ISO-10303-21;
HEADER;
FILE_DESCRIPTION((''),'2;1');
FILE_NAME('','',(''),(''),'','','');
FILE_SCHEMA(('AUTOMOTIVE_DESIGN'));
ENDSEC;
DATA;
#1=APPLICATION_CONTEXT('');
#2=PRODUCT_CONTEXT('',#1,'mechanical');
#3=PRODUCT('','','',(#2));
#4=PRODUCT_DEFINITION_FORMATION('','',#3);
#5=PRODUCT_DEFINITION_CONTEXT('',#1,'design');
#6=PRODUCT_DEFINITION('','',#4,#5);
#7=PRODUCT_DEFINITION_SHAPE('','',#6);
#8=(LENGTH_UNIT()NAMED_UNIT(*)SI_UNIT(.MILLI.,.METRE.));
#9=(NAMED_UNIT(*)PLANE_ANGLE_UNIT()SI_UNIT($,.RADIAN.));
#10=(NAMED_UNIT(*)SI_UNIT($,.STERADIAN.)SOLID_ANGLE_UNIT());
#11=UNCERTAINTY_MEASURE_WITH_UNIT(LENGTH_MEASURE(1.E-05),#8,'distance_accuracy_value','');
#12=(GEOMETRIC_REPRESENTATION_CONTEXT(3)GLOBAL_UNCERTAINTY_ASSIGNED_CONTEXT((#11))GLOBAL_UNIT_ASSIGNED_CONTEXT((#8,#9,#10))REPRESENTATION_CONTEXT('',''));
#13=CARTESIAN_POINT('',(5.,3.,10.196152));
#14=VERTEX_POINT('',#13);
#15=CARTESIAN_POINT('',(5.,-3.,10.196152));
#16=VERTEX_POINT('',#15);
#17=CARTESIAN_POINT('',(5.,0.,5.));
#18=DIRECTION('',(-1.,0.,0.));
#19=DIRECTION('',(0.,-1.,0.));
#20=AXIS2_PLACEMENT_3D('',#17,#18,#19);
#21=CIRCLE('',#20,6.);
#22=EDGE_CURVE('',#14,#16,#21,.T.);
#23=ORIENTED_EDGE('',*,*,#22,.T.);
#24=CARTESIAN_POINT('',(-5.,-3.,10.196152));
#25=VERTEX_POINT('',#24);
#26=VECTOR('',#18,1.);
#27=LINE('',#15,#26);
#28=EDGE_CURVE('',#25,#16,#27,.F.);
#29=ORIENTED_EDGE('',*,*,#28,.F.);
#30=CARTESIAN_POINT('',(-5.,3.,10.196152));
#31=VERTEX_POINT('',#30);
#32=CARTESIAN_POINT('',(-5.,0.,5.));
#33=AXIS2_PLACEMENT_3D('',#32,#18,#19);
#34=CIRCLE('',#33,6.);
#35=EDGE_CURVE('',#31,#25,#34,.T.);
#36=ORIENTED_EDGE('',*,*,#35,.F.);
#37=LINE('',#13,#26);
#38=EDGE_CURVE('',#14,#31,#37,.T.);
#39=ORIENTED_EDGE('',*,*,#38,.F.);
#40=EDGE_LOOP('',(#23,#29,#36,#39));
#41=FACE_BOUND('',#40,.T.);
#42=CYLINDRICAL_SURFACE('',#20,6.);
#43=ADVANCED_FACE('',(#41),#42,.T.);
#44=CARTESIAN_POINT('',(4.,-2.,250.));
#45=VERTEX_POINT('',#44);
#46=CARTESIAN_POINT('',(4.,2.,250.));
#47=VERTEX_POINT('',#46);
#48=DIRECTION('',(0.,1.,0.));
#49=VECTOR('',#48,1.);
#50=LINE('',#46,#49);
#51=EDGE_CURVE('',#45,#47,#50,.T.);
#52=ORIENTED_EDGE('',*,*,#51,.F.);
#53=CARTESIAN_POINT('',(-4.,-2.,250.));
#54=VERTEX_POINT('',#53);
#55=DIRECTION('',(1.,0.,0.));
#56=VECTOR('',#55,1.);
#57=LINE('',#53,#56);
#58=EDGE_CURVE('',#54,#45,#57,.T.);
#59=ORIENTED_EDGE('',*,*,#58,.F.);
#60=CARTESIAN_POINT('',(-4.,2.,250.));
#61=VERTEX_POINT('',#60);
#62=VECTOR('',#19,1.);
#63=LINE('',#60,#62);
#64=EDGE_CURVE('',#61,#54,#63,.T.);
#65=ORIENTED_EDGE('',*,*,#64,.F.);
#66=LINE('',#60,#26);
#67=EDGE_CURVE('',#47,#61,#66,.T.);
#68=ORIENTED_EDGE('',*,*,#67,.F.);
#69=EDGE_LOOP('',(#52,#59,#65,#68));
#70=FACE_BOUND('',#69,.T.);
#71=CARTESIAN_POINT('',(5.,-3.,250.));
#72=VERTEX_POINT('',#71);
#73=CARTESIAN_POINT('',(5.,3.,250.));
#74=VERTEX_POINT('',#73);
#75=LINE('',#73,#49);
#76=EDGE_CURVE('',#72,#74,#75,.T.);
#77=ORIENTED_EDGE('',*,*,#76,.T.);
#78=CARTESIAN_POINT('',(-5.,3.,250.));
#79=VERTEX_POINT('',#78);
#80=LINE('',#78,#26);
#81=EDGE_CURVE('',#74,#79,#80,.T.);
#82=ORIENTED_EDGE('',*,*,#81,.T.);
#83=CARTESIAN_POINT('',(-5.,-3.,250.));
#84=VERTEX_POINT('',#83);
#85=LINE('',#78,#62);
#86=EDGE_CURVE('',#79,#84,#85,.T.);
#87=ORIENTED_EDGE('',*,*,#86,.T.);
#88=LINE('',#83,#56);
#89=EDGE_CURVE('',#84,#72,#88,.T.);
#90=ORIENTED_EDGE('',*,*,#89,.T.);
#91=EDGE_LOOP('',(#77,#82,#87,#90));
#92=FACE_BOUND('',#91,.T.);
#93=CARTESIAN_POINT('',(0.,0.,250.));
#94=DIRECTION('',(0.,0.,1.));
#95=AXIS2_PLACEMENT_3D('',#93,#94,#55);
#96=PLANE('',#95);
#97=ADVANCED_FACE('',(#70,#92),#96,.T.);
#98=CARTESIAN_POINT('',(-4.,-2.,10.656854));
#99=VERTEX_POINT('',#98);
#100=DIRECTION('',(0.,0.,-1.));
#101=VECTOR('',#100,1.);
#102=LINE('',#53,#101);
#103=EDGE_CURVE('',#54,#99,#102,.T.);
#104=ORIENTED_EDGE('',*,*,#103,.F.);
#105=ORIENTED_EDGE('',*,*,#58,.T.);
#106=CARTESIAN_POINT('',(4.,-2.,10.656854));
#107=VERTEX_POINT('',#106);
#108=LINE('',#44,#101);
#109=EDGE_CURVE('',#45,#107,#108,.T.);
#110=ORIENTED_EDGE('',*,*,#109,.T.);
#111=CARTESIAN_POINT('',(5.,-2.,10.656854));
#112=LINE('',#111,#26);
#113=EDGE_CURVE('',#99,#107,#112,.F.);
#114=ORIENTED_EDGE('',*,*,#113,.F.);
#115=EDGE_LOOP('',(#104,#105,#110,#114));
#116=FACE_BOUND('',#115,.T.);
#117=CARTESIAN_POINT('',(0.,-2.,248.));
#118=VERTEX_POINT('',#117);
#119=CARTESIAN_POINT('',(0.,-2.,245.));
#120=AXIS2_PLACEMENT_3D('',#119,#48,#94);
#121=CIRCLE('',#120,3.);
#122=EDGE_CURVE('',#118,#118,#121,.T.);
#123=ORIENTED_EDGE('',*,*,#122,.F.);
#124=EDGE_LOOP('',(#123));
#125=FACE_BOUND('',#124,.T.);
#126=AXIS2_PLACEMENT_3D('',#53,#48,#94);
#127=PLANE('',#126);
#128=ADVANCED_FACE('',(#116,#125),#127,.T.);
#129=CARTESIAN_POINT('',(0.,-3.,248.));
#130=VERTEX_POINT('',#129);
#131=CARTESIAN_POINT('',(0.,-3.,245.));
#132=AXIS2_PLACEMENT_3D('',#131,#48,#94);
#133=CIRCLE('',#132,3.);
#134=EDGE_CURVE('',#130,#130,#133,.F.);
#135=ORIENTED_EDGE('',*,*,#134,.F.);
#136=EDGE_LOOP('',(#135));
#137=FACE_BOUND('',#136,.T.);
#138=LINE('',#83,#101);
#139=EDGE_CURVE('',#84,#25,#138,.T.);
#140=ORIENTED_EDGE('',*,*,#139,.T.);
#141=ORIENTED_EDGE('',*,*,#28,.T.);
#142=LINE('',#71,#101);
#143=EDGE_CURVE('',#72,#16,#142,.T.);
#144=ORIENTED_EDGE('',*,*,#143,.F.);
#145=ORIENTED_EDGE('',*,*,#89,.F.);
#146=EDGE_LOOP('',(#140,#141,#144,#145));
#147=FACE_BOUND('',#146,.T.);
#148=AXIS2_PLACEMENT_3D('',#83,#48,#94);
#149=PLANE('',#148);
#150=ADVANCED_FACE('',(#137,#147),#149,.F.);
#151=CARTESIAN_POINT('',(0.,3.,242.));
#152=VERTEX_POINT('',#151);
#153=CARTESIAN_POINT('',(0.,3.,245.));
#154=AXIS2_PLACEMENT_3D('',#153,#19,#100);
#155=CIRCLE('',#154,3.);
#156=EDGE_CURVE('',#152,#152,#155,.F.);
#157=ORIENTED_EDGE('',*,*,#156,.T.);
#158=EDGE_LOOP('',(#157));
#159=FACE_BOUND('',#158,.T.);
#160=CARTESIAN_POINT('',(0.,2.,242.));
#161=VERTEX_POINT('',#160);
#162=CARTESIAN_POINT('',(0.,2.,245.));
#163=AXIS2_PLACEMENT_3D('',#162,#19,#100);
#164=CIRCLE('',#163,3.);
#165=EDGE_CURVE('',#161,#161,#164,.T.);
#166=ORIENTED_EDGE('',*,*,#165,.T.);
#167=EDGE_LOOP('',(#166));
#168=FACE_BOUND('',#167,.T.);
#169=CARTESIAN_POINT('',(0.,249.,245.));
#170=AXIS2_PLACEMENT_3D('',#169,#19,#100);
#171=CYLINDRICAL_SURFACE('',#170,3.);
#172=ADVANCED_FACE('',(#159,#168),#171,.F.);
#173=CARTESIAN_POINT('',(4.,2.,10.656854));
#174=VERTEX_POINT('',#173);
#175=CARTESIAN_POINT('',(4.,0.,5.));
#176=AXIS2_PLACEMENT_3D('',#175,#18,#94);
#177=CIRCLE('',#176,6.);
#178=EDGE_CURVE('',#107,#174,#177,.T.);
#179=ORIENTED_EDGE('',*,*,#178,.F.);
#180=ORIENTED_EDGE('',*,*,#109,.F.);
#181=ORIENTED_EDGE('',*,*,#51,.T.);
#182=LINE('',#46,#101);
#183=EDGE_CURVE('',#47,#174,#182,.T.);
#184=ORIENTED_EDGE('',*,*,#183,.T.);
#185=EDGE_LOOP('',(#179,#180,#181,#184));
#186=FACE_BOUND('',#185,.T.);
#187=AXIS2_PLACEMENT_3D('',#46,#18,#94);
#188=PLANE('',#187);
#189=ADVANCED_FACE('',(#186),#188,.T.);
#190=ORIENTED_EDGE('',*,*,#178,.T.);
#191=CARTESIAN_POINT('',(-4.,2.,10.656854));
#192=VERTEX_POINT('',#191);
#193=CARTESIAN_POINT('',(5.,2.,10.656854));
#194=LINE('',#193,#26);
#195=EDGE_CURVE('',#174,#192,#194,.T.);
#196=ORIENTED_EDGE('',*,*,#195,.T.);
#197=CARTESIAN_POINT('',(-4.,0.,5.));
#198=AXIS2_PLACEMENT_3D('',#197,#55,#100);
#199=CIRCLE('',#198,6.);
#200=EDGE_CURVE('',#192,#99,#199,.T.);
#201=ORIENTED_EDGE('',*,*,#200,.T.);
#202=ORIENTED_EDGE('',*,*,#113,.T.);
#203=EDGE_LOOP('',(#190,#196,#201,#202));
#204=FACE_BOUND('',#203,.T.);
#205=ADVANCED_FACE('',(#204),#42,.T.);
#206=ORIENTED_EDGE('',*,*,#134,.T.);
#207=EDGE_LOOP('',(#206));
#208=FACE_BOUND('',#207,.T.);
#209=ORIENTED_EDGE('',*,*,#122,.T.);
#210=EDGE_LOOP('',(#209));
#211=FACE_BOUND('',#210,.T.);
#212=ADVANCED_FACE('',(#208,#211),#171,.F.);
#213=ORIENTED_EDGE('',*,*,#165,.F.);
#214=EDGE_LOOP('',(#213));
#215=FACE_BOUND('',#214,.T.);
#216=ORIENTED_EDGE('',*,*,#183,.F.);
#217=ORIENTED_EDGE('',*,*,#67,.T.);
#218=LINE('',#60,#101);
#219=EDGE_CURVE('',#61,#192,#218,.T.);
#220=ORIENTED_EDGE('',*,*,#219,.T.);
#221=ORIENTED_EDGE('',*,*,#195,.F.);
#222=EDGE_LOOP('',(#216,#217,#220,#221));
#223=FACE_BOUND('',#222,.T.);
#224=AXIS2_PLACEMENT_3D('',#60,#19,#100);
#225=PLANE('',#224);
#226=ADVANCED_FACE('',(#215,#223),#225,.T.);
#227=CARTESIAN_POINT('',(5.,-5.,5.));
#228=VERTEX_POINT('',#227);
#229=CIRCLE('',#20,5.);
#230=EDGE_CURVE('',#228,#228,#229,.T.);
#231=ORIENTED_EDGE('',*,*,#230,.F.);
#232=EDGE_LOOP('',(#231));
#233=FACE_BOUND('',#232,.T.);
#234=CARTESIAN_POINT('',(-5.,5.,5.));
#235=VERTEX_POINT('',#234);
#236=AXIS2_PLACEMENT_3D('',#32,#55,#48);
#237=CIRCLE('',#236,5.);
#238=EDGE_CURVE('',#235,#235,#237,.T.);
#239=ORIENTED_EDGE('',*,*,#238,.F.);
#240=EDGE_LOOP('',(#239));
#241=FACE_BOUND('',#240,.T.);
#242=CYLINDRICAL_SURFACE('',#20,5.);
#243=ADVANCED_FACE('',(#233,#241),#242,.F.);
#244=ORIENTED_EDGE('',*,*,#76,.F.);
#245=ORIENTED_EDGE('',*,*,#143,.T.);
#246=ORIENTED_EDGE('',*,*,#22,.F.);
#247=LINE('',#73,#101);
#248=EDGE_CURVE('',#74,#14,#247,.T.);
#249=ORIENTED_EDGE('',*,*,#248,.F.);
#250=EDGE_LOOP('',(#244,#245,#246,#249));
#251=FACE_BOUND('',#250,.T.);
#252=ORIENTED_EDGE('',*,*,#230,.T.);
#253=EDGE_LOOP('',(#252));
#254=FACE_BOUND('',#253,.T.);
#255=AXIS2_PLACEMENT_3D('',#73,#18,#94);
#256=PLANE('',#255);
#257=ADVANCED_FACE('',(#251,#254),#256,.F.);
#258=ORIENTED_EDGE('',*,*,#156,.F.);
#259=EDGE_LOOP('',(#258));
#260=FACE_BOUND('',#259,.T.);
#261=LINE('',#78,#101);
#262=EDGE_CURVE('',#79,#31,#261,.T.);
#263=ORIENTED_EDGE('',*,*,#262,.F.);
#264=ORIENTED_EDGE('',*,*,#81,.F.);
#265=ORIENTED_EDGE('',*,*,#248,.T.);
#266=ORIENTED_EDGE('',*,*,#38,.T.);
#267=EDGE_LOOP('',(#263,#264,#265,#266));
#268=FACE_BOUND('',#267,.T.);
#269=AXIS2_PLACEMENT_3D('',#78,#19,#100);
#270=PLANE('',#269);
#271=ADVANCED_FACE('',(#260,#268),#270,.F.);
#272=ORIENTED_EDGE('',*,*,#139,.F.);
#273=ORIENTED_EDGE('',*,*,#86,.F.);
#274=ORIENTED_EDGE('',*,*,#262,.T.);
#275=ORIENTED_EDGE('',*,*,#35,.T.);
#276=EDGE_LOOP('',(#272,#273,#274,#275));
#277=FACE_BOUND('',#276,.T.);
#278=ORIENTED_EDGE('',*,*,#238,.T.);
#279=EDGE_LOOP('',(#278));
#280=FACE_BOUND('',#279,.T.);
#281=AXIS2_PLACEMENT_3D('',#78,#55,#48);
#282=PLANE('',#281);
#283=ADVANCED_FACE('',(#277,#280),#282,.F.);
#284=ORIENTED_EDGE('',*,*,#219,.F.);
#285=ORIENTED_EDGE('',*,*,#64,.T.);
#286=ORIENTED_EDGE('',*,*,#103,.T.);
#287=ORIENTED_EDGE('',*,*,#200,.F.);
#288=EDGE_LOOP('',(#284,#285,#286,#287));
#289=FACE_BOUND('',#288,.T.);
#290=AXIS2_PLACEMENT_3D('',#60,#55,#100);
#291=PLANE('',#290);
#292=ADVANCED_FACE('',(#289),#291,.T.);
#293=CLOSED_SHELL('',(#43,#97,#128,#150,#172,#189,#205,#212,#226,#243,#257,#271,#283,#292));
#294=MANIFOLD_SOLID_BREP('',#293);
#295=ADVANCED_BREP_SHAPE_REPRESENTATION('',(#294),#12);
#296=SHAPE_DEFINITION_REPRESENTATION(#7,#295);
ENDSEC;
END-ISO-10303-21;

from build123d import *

# Parameters (mm, degrees)
SKETCH1_W               = 10
SKETCH1_H               = 6
BOSS_EXTRUDE1_DEPTH     = 250
SKETCH3_R               = 3
CUT_EXTRUDE2_DEPTH      = 249
CUT_EXTRUDE2_DEPTH_BACK = 249
SKETCH2_W               = 8
SKETCH2_H               = 4
CUT_EXTRUDE4_DEPTH      = 251
CUT_EXTRUDE4_DEPTH_BACK = 1
SKETCH7_R               = 6
BOSS_EXTRUDE2_DEPTH     = 10
SKETCH9_R               = 5
CUT_EXTRUDE7_DEPTH      = 1
CUT_EXTRUDE7_DEPTH_BACK = 11


with BuildPart() as part:
    # Sketch1 → Boss-Extrude1 (new body)
    with BuildSketch(Plane.XY):
        Rectangle(SKETCH1_W, SKETCH1_H)
    extrude(amount=BOSS_EXTRUDE1_DEPTH)

    # Sketch3 → Cut-Extrude2 (cut, two sides)
    with BuildSketch(Plane(origin=(0, 0, 0), x_dir=(1, 0, 0), z_dir=(0, 1, 0))) as cut_extrude2_sk:
        with Locations((0, -245)):
            Circle(SKETCH3_R)
    extrude(amount=CUT_EXTRUDE2_DEPTH, mode=Mode.SUBTRACT)
    extrude(cut_extrude2_sk.sketch, amount=-CUT_EXTRUDE2_DEPTH_BACK, mode=Mode.SUBTRACT)

    # Sketch2 → Cut-Extrude4 (cut, two sides)
    with BuildSketch(Plane.XY) as cut_extrude4_sk:
        Rectangle(SKETCH2_W, SKETCH2_H)
    extrude(amount=CUT_EXTRUDE4_DEPTH, mode=Mode.SUBTRACT)
    extrude(cut_extrude4_sk.sketch, amount=-CUT_EXTRUDE4_DEPTH_BACK, mode=Mode.SUBTRACT)

    # Sketch7 → Boss-Extrude2 (add)
    with BuildSketch(Plane.ZY.offset(5)):
        with Locations((5, 0)):
            Circle(SKETCH7_R)
    extrude(amount=-BOSS_EXTRUDE2_DEPTH)

    # Sketch9 → Cut-Extrude7 (cut, two sides)
    with BuildSketch(Plane.ZY.offset(5)) as cut_extrude7_sk:
        with Locations((5, 0)):
            Circle(SKETCH9_R)
    extrude(amount=CUT_EXTRUDE7_DEPTH, mode=Mode.SUBTRACT)
    extrude(cut_extrude7_sk.sketch, amount=-CUT_EXTRUDE7_DEPTH_BACK, mode=Mode.SUBTRACT)


solid = part.part
